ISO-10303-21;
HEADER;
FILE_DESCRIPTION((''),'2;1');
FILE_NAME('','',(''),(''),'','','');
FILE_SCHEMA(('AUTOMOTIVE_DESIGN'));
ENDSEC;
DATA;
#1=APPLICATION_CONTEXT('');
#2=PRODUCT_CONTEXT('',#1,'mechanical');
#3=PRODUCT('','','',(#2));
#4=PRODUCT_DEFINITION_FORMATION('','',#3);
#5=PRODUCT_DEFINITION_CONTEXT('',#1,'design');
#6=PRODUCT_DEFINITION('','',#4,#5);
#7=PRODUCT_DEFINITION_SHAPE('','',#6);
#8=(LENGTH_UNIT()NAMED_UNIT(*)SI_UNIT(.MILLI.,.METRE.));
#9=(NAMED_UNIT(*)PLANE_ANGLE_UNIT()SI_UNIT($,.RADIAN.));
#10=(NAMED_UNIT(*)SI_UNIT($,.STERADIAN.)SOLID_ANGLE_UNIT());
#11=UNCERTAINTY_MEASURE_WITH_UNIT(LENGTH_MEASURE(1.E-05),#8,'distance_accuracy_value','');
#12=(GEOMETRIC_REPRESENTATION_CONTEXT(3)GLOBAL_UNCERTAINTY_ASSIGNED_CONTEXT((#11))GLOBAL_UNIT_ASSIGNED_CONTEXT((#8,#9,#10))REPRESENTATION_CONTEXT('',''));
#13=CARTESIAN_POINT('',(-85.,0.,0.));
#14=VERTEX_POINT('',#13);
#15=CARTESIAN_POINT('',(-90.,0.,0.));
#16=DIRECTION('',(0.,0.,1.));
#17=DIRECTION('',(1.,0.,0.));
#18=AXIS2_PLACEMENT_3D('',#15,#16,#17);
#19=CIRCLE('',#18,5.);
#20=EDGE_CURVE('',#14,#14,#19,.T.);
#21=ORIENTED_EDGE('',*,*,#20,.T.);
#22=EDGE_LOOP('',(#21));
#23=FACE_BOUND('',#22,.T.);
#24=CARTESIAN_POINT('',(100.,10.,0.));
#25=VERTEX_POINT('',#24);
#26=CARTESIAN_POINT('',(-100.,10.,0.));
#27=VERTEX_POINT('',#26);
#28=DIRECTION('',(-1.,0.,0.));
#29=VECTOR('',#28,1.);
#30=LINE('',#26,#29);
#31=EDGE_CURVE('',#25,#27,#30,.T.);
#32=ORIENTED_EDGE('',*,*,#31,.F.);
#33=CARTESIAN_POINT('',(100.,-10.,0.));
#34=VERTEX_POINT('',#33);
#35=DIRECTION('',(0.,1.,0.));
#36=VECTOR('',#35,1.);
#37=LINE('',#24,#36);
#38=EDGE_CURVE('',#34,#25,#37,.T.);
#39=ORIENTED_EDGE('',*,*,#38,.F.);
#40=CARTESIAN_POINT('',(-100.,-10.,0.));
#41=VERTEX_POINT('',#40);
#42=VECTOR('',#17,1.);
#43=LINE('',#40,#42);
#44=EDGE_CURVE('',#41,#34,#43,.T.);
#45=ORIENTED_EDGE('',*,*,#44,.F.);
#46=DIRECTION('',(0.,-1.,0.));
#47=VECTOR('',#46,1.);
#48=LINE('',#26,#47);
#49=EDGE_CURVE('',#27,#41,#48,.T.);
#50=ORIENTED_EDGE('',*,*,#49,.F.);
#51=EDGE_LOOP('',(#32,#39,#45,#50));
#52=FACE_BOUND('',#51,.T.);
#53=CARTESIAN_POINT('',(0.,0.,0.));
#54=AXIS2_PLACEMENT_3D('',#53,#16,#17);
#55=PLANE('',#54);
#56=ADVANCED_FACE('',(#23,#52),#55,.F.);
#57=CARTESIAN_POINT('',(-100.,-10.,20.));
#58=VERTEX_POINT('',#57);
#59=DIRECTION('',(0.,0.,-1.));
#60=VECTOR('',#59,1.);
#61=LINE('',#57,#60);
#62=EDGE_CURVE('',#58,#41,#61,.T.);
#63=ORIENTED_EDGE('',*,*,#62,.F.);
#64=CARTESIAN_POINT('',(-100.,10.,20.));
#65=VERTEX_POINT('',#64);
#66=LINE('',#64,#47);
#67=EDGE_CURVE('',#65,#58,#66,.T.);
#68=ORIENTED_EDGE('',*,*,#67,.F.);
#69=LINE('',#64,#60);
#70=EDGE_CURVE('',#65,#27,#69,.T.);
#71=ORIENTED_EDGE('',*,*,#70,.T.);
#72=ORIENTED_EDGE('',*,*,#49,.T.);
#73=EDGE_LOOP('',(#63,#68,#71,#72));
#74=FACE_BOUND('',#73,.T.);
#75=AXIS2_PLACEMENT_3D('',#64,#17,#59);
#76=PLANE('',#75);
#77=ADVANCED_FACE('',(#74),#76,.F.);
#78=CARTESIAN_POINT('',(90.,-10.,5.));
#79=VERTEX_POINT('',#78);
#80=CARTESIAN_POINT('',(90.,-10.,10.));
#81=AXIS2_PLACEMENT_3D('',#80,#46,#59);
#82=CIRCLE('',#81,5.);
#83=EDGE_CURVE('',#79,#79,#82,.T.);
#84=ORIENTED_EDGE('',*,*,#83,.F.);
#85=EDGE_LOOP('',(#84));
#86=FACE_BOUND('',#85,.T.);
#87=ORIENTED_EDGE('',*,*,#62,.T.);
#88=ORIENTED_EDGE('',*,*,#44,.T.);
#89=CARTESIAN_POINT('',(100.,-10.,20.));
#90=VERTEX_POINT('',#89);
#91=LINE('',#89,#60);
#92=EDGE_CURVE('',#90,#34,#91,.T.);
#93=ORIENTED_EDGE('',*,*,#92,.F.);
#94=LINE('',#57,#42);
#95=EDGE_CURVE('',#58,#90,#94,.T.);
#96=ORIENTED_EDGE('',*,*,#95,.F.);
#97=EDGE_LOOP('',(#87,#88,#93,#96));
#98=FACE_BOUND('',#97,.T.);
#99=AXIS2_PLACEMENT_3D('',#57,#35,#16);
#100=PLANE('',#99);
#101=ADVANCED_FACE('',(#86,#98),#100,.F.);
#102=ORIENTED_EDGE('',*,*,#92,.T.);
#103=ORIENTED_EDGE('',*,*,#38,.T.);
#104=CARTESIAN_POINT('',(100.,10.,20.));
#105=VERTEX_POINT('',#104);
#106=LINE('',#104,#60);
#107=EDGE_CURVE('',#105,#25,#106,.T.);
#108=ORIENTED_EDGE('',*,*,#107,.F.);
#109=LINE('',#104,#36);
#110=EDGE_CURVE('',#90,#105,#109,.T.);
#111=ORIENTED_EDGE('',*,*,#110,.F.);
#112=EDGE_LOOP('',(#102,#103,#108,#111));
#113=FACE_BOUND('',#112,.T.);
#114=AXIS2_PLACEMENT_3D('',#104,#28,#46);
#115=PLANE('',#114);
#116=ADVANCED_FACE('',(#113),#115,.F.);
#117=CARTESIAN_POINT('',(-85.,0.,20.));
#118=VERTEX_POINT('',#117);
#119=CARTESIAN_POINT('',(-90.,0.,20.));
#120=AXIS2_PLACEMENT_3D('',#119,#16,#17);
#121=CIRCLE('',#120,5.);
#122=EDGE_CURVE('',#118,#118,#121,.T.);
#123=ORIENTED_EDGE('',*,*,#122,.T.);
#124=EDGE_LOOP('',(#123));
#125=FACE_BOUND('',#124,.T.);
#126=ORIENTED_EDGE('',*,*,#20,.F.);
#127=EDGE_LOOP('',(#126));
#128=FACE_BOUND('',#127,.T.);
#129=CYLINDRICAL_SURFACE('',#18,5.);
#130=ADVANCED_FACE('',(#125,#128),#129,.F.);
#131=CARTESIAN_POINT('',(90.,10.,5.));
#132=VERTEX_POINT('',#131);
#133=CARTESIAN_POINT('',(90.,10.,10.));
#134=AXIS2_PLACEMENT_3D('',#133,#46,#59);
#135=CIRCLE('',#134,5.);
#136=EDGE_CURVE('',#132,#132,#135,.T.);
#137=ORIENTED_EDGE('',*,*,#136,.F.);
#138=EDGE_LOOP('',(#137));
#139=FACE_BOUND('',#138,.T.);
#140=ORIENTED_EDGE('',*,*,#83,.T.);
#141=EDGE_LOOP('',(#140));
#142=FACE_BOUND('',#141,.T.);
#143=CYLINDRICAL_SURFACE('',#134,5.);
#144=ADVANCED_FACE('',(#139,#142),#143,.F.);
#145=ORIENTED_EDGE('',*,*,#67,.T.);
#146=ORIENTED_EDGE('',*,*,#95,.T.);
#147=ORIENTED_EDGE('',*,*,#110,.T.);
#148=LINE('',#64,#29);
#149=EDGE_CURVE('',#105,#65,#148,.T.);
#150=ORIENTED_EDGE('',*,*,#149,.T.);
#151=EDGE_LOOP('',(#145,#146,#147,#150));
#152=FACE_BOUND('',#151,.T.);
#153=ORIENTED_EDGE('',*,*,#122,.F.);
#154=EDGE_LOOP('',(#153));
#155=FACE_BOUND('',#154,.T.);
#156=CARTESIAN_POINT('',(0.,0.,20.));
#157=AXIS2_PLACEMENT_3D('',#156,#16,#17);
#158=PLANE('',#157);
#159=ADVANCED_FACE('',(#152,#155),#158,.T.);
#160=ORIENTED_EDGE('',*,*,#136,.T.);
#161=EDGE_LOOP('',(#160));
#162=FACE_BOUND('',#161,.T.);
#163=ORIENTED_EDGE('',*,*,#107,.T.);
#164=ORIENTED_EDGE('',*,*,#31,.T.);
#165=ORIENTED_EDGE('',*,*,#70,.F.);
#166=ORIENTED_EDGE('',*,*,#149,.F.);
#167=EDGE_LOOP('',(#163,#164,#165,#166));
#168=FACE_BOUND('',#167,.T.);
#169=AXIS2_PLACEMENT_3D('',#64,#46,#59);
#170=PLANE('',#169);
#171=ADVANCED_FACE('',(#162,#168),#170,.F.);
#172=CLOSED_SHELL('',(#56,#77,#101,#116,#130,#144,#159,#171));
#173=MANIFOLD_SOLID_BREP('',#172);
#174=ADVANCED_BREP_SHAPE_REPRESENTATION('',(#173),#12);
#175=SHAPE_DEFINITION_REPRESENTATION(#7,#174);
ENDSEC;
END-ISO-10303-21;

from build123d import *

# Parameters (mm, degrees)
SKETCH1_W           = 200
SKETCH1_H           = 20
BOSS_EXTRUDE2_DEPTH = 20
SKETCH3_R           = 5
CUT_EXTRUDE1_DEPTH  = 103.46950766
SKETCH4_R           = 5
CUT_EXTRUDE2_DEPTH  = 104.923048454


with BuildPart() as part:
    # Sketch1 → Boss-Extrude2 (new body)
    with BuildSketch(Plane.XY):
        Rectangle(SKETCH1_W, SKETCH1_H)
    extrude(amount=BOSS_EXTRUDE2_DEPTH)

    # Sketch3 → Cut-Extrude1 (cut, through all)
    with BuildSketch(Plane.XY.offset(20)):
        with Locations((-90, 0)):
            Circle(SKETCH3_R)
    extrude(amount=-CUT_EXTRUDE1_DEPTH, mode=Mode.SUBTRACT)

    # Sketch4 → Cut-Extrude2 (cut, through all)
    with BuildSketch(Plane.XZ.offset(10)):
        with Locations(Location((90, 10, 0), (0, 0, 270))):
            Circle(SKETCH4_R)
    extrude(amount=-CUT_EXTRUDE2_DEPTH, mode=Mode.SUBTRACT)


solid = part.part
